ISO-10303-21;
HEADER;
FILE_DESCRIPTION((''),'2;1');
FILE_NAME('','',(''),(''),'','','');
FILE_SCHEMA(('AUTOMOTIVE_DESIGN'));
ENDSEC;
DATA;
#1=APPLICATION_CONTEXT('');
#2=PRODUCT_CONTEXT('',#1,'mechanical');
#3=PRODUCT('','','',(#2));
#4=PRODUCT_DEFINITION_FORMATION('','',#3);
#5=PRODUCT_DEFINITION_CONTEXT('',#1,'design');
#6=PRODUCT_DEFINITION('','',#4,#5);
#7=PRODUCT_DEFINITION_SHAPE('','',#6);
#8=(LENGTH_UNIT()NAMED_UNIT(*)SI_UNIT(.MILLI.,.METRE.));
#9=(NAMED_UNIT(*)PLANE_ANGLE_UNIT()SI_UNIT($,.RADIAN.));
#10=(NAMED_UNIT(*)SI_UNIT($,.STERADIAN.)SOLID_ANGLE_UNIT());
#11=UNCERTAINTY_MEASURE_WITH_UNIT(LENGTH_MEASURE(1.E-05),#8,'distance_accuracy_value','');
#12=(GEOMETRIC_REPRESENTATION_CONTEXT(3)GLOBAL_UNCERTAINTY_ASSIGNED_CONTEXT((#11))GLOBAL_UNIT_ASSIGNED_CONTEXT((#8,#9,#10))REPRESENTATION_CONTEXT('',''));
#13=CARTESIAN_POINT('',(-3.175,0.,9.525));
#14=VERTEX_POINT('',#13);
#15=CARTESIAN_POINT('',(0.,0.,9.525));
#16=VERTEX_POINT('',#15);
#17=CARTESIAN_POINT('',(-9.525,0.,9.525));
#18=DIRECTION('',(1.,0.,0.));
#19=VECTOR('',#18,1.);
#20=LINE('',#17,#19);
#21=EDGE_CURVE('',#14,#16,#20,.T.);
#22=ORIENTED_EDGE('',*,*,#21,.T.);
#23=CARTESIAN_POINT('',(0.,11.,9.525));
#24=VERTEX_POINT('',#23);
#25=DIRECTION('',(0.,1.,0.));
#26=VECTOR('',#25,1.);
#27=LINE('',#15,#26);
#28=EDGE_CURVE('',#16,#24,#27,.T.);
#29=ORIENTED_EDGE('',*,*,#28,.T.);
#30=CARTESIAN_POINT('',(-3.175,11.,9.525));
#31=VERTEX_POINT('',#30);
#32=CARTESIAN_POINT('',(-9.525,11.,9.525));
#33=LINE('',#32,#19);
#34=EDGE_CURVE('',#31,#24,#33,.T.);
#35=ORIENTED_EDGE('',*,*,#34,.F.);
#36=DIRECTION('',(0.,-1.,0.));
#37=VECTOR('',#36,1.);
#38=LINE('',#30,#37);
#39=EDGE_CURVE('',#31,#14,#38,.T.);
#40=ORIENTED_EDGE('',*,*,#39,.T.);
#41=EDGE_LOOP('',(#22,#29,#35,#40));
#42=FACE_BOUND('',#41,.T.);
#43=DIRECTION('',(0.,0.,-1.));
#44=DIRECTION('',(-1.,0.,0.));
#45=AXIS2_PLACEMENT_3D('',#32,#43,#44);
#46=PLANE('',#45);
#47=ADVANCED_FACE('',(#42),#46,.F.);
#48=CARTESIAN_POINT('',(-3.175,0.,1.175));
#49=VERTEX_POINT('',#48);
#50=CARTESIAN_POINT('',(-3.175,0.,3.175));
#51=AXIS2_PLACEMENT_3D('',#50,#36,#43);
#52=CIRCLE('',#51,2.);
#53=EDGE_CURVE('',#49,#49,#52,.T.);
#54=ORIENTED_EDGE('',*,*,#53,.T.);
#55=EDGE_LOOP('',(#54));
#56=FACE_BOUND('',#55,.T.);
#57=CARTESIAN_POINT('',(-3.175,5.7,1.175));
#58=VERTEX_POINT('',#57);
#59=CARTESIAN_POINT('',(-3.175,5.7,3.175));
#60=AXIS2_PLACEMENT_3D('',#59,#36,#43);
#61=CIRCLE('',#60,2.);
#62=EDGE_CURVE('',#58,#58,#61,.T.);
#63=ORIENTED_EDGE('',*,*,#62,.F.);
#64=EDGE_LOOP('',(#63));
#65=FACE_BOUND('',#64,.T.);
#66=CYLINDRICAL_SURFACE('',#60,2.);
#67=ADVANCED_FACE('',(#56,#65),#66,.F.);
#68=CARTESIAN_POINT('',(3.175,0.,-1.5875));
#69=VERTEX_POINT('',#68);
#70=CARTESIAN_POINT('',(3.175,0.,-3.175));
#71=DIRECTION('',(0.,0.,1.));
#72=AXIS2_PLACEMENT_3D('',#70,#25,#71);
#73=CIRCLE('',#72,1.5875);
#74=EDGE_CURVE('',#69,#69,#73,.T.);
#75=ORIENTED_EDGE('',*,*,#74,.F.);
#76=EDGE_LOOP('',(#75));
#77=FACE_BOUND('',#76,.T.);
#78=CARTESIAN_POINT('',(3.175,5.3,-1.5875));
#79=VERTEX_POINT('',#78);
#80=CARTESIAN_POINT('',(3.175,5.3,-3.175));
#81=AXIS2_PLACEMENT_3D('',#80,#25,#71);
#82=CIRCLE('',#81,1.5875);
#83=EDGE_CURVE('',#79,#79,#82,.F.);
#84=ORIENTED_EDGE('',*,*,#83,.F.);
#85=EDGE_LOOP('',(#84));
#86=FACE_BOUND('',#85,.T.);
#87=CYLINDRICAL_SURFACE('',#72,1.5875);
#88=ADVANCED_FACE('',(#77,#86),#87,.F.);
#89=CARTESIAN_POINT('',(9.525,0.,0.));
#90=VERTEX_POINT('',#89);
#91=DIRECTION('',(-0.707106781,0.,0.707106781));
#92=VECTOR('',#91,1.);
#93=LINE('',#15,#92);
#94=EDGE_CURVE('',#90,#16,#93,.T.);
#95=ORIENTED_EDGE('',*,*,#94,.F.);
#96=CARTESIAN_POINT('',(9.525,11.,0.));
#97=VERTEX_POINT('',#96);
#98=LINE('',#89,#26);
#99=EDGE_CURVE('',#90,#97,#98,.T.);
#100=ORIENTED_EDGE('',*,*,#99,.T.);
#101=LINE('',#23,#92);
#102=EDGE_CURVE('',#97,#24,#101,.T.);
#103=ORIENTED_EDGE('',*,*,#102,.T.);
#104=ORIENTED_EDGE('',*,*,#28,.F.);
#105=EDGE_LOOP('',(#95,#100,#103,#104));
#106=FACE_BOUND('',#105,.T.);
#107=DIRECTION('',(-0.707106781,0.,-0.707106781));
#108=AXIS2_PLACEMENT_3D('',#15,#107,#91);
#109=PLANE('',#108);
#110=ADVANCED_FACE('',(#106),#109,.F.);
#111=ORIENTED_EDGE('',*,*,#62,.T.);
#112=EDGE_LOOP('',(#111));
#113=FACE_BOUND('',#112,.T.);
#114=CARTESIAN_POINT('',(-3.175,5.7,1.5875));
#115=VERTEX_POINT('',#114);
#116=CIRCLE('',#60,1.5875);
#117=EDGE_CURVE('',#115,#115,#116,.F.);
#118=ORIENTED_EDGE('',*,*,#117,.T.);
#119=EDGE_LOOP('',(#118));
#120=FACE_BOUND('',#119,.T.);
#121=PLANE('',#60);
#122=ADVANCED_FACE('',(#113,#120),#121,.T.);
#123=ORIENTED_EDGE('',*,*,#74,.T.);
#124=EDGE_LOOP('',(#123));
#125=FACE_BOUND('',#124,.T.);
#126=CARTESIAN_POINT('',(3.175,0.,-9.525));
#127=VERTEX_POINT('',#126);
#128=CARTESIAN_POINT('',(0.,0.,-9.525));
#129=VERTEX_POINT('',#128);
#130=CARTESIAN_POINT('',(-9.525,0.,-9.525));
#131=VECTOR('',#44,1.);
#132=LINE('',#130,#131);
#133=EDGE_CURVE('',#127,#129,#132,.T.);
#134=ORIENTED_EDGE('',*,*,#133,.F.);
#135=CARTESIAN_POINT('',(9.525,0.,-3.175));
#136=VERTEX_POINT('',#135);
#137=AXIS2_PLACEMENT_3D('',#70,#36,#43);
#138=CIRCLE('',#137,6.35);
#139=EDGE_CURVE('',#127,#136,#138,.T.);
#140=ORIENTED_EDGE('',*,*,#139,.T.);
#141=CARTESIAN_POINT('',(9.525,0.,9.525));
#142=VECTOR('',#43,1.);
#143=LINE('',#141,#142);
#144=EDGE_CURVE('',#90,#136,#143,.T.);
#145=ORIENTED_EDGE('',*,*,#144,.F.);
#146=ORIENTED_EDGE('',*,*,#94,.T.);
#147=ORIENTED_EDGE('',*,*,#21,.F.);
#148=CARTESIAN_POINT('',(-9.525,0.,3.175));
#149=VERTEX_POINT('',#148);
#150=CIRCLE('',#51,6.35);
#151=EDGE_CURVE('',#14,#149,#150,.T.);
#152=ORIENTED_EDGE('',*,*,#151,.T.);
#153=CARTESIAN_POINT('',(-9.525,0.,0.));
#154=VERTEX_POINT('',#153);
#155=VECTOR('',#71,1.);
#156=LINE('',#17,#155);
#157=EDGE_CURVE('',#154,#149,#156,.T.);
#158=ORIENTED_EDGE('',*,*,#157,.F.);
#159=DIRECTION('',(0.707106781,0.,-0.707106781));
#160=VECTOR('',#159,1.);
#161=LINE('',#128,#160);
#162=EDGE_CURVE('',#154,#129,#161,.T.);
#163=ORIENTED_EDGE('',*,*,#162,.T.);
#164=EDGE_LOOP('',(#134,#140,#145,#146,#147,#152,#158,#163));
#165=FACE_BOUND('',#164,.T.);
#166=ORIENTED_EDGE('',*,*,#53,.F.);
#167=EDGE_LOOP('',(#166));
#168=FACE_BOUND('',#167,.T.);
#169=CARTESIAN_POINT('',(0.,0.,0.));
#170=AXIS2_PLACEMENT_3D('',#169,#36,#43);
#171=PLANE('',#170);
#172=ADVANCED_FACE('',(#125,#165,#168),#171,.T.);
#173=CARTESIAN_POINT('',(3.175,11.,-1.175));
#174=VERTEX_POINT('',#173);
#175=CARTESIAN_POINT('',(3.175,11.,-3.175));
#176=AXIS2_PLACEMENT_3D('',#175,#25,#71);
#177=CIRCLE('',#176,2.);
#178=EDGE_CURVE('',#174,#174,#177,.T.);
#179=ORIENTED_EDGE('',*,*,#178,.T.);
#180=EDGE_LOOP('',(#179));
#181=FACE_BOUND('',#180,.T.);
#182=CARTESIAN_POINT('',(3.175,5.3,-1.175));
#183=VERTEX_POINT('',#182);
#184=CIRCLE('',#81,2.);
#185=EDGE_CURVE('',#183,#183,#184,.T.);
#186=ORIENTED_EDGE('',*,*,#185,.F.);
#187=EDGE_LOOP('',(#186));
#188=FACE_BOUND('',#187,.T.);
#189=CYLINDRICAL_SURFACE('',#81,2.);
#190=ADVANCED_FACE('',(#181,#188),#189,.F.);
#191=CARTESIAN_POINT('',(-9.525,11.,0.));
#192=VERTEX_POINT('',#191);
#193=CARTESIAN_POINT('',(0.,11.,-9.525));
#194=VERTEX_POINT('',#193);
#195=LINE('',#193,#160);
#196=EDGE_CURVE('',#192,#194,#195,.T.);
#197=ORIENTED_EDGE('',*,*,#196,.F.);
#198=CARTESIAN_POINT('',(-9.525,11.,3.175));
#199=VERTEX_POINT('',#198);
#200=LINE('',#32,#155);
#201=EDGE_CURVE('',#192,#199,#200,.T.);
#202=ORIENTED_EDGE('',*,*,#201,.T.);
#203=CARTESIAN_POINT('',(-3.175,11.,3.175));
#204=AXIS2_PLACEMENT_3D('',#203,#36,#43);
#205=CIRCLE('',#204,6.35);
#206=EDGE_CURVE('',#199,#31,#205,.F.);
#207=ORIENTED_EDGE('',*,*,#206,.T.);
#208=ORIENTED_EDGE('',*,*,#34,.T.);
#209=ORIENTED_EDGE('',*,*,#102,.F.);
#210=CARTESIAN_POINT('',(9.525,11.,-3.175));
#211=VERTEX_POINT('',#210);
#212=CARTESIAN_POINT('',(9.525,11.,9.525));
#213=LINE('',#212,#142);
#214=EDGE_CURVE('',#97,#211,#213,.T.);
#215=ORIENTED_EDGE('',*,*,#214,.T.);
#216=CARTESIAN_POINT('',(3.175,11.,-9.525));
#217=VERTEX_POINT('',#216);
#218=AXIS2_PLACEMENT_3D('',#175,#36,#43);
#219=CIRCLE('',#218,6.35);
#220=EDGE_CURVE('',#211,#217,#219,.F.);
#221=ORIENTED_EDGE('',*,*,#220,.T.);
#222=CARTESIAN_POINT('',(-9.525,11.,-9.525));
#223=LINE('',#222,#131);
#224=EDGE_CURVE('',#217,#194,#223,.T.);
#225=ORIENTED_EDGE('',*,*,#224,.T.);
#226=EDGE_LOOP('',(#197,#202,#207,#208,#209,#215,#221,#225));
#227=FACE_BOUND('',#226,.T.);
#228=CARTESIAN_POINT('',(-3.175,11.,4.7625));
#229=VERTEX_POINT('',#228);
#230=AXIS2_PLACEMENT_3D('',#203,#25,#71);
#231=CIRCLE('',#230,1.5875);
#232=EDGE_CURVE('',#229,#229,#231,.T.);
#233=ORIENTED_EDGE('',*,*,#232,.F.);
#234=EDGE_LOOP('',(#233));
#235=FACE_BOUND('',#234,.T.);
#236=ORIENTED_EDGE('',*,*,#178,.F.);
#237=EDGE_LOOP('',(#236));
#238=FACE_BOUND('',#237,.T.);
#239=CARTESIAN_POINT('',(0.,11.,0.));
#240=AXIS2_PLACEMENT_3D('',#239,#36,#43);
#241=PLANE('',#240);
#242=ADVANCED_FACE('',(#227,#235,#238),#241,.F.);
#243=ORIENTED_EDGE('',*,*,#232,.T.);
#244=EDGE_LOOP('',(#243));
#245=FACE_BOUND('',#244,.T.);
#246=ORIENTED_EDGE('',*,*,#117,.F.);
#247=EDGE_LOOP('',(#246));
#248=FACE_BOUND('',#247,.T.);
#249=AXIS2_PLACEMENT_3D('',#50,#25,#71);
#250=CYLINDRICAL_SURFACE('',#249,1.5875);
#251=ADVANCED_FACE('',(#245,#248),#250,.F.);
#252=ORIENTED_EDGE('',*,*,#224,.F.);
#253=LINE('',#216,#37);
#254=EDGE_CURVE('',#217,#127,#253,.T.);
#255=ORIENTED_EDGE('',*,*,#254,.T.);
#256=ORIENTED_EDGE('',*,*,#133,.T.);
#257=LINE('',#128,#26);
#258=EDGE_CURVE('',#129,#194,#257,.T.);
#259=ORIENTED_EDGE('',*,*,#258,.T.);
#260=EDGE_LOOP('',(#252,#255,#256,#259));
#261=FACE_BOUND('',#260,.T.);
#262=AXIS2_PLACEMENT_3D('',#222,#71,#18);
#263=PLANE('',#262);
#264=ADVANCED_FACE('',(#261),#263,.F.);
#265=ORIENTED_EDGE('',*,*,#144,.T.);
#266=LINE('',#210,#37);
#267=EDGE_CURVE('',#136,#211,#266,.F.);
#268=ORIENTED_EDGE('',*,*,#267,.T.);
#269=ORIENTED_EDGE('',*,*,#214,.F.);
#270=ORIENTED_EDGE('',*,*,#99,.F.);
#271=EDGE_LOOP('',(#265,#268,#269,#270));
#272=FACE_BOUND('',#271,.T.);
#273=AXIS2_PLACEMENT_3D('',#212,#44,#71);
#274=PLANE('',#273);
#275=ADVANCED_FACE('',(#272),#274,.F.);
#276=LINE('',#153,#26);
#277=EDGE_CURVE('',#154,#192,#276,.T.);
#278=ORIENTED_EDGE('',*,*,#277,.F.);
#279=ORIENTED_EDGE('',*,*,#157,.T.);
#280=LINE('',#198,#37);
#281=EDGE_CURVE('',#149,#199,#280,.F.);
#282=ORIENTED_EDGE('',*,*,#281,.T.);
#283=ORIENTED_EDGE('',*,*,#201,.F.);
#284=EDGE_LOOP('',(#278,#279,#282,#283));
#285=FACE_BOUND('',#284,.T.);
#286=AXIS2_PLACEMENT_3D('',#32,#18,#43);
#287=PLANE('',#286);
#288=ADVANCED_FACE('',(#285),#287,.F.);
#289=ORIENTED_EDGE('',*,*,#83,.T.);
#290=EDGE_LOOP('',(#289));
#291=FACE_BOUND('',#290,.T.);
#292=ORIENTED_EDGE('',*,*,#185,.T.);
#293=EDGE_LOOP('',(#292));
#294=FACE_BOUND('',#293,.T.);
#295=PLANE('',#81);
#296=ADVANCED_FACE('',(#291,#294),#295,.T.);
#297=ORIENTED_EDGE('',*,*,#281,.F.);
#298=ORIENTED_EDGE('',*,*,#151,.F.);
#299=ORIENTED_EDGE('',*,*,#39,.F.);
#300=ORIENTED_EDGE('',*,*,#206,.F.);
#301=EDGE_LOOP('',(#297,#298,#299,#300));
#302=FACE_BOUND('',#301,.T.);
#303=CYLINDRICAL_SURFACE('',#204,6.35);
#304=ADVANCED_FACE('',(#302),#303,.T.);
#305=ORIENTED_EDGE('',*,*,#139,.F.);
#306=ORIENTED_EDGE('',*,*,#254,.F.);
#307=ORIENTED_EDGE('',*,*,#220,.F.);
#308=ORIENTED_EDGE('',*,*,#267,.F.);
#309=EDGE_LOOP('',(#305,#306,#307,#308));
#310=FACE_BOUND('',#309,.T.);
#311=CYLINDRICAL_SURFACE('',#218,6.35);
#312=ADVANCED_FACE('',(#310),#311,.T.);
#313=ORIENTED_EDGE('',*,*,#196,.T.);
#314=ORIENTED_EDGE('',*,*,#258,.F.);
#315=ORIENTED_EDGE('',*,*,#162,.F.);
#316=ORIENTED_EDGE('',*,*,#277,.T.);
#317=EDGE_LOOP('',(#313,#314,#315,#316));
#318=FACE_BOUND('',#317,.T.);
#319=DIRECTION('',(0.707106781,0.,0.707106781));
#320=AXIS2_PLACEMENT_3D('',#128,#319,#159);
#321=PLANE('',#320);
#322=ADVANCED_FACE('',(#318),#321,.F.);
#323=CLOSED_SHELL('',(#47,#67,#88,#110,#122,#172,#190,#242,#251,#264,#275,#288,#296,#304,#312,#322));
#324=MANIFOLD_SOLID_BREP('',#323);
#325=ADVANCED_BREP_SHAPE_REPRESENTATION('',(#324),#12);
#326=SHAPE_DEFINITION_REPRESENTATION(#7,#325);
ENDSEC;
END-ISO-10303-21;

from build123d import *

# Parameters (mm, degrees)
SKETCH1_W           = 19.05
SKETCH1_H           = 19.05
BOSS_EXTRUDE1_DEPTH = 11
SKETCH2_R           = 1.5875
CUT_EXTRUDE1_DEPTH  = 18.39112561
SKETCH3_R           = 2
CUT_EXTRUDE2_DEPTH  = 5.7
SKETCH4_R           = 2
CUT_EXTRUDE3_DEPTH  = 5.7
CUT_EXTRUDE4_DEPTH  = 18.39112561
FILLET1_R           = 6.35


with BuildPart() as part:
    # Sketch1 → Boss-Extrude1 (new body)
    with BuildSketch(Plane(origin=(0, 0, 0), x_dir=(1, 0, 0), z_dir=(0, 1, 0))):
        Rectangle(SKETCH1_W, SKETCH1_H)
    extrude(amount=BOSS_EXTRUDE1_DEPTH)

    # Sketch2 → Cut-Extrude1 (cut, through all)
    with BuildSketch(Plane(origin=(0, 11, 0), x_dir=(1, 0, 0), z_dir=(0, 1, 0))):
        with Locations(Location((-3.175, -3.175, 0), (0, 0, 270))):
            Circle(SKETCH2_R)
        with Locations(Location((3.175, 3.175, 0), (0, 0, 270))):
            Circle(SKETCH2_R)
    extrude(amount=-CUT_EXTRUDE1_DEPTH, mode=Mode.SUBTRACT)

    # Sketch3 → Cut-Extrude2 (cut)
    with BuildSketch(Plane(origin=(0, 11, 0), x_dir=(1, 0, 0), z_dir=(0, 1, 0))):
        with Locations(Location((3.175, 3.175, 0), (0, 0, 270))):
            Circle(SKETCH3_R)
    extrude(amount=-CUT_EXTRUDE2_DEPTH, mode=Mode.SUBTRACT)

    # Sketch4 → Cut-Extrude3 (cut)
    with BuildSketch(Plane.XZ):
        with Locations(Location((-3.175, 3.175, 0), (0, 0, 270))):
            Circle(SKETCH4_R)
    extrude(amount=-CUT_EXTRUDE3_DEPTH, mode=Mode.SUBTRACT)

    # Sketch5 → Cut-Extrude4 (cut, through all)
    with BuildSketch(Plane(origin=(0, 11, 0), x_dir=(1, 0, 0), z_dir=(0, 1, 0))):
        Polygon((-9.525, 9.525), (0, 9.525), (-9.525, 0), align=None)
        Polygon((0, -9.525), (9.525, 0), (9.525, -9.525), align=None)
    extrude(amount=-CUT_EXTRUDE4_DEPTH, mode=Mode.SUBTRACT)

    # Fillet1
    fillet1_edges = [part.edges().sort_by_distance(p)[0] for p in [
        (-9.525, 5.5, 9.525),
        (9.525, 5.5, -9.525),
    ]]
    fillet(fillet1_edges, radius=FILLET1_R)


solid = part.part
